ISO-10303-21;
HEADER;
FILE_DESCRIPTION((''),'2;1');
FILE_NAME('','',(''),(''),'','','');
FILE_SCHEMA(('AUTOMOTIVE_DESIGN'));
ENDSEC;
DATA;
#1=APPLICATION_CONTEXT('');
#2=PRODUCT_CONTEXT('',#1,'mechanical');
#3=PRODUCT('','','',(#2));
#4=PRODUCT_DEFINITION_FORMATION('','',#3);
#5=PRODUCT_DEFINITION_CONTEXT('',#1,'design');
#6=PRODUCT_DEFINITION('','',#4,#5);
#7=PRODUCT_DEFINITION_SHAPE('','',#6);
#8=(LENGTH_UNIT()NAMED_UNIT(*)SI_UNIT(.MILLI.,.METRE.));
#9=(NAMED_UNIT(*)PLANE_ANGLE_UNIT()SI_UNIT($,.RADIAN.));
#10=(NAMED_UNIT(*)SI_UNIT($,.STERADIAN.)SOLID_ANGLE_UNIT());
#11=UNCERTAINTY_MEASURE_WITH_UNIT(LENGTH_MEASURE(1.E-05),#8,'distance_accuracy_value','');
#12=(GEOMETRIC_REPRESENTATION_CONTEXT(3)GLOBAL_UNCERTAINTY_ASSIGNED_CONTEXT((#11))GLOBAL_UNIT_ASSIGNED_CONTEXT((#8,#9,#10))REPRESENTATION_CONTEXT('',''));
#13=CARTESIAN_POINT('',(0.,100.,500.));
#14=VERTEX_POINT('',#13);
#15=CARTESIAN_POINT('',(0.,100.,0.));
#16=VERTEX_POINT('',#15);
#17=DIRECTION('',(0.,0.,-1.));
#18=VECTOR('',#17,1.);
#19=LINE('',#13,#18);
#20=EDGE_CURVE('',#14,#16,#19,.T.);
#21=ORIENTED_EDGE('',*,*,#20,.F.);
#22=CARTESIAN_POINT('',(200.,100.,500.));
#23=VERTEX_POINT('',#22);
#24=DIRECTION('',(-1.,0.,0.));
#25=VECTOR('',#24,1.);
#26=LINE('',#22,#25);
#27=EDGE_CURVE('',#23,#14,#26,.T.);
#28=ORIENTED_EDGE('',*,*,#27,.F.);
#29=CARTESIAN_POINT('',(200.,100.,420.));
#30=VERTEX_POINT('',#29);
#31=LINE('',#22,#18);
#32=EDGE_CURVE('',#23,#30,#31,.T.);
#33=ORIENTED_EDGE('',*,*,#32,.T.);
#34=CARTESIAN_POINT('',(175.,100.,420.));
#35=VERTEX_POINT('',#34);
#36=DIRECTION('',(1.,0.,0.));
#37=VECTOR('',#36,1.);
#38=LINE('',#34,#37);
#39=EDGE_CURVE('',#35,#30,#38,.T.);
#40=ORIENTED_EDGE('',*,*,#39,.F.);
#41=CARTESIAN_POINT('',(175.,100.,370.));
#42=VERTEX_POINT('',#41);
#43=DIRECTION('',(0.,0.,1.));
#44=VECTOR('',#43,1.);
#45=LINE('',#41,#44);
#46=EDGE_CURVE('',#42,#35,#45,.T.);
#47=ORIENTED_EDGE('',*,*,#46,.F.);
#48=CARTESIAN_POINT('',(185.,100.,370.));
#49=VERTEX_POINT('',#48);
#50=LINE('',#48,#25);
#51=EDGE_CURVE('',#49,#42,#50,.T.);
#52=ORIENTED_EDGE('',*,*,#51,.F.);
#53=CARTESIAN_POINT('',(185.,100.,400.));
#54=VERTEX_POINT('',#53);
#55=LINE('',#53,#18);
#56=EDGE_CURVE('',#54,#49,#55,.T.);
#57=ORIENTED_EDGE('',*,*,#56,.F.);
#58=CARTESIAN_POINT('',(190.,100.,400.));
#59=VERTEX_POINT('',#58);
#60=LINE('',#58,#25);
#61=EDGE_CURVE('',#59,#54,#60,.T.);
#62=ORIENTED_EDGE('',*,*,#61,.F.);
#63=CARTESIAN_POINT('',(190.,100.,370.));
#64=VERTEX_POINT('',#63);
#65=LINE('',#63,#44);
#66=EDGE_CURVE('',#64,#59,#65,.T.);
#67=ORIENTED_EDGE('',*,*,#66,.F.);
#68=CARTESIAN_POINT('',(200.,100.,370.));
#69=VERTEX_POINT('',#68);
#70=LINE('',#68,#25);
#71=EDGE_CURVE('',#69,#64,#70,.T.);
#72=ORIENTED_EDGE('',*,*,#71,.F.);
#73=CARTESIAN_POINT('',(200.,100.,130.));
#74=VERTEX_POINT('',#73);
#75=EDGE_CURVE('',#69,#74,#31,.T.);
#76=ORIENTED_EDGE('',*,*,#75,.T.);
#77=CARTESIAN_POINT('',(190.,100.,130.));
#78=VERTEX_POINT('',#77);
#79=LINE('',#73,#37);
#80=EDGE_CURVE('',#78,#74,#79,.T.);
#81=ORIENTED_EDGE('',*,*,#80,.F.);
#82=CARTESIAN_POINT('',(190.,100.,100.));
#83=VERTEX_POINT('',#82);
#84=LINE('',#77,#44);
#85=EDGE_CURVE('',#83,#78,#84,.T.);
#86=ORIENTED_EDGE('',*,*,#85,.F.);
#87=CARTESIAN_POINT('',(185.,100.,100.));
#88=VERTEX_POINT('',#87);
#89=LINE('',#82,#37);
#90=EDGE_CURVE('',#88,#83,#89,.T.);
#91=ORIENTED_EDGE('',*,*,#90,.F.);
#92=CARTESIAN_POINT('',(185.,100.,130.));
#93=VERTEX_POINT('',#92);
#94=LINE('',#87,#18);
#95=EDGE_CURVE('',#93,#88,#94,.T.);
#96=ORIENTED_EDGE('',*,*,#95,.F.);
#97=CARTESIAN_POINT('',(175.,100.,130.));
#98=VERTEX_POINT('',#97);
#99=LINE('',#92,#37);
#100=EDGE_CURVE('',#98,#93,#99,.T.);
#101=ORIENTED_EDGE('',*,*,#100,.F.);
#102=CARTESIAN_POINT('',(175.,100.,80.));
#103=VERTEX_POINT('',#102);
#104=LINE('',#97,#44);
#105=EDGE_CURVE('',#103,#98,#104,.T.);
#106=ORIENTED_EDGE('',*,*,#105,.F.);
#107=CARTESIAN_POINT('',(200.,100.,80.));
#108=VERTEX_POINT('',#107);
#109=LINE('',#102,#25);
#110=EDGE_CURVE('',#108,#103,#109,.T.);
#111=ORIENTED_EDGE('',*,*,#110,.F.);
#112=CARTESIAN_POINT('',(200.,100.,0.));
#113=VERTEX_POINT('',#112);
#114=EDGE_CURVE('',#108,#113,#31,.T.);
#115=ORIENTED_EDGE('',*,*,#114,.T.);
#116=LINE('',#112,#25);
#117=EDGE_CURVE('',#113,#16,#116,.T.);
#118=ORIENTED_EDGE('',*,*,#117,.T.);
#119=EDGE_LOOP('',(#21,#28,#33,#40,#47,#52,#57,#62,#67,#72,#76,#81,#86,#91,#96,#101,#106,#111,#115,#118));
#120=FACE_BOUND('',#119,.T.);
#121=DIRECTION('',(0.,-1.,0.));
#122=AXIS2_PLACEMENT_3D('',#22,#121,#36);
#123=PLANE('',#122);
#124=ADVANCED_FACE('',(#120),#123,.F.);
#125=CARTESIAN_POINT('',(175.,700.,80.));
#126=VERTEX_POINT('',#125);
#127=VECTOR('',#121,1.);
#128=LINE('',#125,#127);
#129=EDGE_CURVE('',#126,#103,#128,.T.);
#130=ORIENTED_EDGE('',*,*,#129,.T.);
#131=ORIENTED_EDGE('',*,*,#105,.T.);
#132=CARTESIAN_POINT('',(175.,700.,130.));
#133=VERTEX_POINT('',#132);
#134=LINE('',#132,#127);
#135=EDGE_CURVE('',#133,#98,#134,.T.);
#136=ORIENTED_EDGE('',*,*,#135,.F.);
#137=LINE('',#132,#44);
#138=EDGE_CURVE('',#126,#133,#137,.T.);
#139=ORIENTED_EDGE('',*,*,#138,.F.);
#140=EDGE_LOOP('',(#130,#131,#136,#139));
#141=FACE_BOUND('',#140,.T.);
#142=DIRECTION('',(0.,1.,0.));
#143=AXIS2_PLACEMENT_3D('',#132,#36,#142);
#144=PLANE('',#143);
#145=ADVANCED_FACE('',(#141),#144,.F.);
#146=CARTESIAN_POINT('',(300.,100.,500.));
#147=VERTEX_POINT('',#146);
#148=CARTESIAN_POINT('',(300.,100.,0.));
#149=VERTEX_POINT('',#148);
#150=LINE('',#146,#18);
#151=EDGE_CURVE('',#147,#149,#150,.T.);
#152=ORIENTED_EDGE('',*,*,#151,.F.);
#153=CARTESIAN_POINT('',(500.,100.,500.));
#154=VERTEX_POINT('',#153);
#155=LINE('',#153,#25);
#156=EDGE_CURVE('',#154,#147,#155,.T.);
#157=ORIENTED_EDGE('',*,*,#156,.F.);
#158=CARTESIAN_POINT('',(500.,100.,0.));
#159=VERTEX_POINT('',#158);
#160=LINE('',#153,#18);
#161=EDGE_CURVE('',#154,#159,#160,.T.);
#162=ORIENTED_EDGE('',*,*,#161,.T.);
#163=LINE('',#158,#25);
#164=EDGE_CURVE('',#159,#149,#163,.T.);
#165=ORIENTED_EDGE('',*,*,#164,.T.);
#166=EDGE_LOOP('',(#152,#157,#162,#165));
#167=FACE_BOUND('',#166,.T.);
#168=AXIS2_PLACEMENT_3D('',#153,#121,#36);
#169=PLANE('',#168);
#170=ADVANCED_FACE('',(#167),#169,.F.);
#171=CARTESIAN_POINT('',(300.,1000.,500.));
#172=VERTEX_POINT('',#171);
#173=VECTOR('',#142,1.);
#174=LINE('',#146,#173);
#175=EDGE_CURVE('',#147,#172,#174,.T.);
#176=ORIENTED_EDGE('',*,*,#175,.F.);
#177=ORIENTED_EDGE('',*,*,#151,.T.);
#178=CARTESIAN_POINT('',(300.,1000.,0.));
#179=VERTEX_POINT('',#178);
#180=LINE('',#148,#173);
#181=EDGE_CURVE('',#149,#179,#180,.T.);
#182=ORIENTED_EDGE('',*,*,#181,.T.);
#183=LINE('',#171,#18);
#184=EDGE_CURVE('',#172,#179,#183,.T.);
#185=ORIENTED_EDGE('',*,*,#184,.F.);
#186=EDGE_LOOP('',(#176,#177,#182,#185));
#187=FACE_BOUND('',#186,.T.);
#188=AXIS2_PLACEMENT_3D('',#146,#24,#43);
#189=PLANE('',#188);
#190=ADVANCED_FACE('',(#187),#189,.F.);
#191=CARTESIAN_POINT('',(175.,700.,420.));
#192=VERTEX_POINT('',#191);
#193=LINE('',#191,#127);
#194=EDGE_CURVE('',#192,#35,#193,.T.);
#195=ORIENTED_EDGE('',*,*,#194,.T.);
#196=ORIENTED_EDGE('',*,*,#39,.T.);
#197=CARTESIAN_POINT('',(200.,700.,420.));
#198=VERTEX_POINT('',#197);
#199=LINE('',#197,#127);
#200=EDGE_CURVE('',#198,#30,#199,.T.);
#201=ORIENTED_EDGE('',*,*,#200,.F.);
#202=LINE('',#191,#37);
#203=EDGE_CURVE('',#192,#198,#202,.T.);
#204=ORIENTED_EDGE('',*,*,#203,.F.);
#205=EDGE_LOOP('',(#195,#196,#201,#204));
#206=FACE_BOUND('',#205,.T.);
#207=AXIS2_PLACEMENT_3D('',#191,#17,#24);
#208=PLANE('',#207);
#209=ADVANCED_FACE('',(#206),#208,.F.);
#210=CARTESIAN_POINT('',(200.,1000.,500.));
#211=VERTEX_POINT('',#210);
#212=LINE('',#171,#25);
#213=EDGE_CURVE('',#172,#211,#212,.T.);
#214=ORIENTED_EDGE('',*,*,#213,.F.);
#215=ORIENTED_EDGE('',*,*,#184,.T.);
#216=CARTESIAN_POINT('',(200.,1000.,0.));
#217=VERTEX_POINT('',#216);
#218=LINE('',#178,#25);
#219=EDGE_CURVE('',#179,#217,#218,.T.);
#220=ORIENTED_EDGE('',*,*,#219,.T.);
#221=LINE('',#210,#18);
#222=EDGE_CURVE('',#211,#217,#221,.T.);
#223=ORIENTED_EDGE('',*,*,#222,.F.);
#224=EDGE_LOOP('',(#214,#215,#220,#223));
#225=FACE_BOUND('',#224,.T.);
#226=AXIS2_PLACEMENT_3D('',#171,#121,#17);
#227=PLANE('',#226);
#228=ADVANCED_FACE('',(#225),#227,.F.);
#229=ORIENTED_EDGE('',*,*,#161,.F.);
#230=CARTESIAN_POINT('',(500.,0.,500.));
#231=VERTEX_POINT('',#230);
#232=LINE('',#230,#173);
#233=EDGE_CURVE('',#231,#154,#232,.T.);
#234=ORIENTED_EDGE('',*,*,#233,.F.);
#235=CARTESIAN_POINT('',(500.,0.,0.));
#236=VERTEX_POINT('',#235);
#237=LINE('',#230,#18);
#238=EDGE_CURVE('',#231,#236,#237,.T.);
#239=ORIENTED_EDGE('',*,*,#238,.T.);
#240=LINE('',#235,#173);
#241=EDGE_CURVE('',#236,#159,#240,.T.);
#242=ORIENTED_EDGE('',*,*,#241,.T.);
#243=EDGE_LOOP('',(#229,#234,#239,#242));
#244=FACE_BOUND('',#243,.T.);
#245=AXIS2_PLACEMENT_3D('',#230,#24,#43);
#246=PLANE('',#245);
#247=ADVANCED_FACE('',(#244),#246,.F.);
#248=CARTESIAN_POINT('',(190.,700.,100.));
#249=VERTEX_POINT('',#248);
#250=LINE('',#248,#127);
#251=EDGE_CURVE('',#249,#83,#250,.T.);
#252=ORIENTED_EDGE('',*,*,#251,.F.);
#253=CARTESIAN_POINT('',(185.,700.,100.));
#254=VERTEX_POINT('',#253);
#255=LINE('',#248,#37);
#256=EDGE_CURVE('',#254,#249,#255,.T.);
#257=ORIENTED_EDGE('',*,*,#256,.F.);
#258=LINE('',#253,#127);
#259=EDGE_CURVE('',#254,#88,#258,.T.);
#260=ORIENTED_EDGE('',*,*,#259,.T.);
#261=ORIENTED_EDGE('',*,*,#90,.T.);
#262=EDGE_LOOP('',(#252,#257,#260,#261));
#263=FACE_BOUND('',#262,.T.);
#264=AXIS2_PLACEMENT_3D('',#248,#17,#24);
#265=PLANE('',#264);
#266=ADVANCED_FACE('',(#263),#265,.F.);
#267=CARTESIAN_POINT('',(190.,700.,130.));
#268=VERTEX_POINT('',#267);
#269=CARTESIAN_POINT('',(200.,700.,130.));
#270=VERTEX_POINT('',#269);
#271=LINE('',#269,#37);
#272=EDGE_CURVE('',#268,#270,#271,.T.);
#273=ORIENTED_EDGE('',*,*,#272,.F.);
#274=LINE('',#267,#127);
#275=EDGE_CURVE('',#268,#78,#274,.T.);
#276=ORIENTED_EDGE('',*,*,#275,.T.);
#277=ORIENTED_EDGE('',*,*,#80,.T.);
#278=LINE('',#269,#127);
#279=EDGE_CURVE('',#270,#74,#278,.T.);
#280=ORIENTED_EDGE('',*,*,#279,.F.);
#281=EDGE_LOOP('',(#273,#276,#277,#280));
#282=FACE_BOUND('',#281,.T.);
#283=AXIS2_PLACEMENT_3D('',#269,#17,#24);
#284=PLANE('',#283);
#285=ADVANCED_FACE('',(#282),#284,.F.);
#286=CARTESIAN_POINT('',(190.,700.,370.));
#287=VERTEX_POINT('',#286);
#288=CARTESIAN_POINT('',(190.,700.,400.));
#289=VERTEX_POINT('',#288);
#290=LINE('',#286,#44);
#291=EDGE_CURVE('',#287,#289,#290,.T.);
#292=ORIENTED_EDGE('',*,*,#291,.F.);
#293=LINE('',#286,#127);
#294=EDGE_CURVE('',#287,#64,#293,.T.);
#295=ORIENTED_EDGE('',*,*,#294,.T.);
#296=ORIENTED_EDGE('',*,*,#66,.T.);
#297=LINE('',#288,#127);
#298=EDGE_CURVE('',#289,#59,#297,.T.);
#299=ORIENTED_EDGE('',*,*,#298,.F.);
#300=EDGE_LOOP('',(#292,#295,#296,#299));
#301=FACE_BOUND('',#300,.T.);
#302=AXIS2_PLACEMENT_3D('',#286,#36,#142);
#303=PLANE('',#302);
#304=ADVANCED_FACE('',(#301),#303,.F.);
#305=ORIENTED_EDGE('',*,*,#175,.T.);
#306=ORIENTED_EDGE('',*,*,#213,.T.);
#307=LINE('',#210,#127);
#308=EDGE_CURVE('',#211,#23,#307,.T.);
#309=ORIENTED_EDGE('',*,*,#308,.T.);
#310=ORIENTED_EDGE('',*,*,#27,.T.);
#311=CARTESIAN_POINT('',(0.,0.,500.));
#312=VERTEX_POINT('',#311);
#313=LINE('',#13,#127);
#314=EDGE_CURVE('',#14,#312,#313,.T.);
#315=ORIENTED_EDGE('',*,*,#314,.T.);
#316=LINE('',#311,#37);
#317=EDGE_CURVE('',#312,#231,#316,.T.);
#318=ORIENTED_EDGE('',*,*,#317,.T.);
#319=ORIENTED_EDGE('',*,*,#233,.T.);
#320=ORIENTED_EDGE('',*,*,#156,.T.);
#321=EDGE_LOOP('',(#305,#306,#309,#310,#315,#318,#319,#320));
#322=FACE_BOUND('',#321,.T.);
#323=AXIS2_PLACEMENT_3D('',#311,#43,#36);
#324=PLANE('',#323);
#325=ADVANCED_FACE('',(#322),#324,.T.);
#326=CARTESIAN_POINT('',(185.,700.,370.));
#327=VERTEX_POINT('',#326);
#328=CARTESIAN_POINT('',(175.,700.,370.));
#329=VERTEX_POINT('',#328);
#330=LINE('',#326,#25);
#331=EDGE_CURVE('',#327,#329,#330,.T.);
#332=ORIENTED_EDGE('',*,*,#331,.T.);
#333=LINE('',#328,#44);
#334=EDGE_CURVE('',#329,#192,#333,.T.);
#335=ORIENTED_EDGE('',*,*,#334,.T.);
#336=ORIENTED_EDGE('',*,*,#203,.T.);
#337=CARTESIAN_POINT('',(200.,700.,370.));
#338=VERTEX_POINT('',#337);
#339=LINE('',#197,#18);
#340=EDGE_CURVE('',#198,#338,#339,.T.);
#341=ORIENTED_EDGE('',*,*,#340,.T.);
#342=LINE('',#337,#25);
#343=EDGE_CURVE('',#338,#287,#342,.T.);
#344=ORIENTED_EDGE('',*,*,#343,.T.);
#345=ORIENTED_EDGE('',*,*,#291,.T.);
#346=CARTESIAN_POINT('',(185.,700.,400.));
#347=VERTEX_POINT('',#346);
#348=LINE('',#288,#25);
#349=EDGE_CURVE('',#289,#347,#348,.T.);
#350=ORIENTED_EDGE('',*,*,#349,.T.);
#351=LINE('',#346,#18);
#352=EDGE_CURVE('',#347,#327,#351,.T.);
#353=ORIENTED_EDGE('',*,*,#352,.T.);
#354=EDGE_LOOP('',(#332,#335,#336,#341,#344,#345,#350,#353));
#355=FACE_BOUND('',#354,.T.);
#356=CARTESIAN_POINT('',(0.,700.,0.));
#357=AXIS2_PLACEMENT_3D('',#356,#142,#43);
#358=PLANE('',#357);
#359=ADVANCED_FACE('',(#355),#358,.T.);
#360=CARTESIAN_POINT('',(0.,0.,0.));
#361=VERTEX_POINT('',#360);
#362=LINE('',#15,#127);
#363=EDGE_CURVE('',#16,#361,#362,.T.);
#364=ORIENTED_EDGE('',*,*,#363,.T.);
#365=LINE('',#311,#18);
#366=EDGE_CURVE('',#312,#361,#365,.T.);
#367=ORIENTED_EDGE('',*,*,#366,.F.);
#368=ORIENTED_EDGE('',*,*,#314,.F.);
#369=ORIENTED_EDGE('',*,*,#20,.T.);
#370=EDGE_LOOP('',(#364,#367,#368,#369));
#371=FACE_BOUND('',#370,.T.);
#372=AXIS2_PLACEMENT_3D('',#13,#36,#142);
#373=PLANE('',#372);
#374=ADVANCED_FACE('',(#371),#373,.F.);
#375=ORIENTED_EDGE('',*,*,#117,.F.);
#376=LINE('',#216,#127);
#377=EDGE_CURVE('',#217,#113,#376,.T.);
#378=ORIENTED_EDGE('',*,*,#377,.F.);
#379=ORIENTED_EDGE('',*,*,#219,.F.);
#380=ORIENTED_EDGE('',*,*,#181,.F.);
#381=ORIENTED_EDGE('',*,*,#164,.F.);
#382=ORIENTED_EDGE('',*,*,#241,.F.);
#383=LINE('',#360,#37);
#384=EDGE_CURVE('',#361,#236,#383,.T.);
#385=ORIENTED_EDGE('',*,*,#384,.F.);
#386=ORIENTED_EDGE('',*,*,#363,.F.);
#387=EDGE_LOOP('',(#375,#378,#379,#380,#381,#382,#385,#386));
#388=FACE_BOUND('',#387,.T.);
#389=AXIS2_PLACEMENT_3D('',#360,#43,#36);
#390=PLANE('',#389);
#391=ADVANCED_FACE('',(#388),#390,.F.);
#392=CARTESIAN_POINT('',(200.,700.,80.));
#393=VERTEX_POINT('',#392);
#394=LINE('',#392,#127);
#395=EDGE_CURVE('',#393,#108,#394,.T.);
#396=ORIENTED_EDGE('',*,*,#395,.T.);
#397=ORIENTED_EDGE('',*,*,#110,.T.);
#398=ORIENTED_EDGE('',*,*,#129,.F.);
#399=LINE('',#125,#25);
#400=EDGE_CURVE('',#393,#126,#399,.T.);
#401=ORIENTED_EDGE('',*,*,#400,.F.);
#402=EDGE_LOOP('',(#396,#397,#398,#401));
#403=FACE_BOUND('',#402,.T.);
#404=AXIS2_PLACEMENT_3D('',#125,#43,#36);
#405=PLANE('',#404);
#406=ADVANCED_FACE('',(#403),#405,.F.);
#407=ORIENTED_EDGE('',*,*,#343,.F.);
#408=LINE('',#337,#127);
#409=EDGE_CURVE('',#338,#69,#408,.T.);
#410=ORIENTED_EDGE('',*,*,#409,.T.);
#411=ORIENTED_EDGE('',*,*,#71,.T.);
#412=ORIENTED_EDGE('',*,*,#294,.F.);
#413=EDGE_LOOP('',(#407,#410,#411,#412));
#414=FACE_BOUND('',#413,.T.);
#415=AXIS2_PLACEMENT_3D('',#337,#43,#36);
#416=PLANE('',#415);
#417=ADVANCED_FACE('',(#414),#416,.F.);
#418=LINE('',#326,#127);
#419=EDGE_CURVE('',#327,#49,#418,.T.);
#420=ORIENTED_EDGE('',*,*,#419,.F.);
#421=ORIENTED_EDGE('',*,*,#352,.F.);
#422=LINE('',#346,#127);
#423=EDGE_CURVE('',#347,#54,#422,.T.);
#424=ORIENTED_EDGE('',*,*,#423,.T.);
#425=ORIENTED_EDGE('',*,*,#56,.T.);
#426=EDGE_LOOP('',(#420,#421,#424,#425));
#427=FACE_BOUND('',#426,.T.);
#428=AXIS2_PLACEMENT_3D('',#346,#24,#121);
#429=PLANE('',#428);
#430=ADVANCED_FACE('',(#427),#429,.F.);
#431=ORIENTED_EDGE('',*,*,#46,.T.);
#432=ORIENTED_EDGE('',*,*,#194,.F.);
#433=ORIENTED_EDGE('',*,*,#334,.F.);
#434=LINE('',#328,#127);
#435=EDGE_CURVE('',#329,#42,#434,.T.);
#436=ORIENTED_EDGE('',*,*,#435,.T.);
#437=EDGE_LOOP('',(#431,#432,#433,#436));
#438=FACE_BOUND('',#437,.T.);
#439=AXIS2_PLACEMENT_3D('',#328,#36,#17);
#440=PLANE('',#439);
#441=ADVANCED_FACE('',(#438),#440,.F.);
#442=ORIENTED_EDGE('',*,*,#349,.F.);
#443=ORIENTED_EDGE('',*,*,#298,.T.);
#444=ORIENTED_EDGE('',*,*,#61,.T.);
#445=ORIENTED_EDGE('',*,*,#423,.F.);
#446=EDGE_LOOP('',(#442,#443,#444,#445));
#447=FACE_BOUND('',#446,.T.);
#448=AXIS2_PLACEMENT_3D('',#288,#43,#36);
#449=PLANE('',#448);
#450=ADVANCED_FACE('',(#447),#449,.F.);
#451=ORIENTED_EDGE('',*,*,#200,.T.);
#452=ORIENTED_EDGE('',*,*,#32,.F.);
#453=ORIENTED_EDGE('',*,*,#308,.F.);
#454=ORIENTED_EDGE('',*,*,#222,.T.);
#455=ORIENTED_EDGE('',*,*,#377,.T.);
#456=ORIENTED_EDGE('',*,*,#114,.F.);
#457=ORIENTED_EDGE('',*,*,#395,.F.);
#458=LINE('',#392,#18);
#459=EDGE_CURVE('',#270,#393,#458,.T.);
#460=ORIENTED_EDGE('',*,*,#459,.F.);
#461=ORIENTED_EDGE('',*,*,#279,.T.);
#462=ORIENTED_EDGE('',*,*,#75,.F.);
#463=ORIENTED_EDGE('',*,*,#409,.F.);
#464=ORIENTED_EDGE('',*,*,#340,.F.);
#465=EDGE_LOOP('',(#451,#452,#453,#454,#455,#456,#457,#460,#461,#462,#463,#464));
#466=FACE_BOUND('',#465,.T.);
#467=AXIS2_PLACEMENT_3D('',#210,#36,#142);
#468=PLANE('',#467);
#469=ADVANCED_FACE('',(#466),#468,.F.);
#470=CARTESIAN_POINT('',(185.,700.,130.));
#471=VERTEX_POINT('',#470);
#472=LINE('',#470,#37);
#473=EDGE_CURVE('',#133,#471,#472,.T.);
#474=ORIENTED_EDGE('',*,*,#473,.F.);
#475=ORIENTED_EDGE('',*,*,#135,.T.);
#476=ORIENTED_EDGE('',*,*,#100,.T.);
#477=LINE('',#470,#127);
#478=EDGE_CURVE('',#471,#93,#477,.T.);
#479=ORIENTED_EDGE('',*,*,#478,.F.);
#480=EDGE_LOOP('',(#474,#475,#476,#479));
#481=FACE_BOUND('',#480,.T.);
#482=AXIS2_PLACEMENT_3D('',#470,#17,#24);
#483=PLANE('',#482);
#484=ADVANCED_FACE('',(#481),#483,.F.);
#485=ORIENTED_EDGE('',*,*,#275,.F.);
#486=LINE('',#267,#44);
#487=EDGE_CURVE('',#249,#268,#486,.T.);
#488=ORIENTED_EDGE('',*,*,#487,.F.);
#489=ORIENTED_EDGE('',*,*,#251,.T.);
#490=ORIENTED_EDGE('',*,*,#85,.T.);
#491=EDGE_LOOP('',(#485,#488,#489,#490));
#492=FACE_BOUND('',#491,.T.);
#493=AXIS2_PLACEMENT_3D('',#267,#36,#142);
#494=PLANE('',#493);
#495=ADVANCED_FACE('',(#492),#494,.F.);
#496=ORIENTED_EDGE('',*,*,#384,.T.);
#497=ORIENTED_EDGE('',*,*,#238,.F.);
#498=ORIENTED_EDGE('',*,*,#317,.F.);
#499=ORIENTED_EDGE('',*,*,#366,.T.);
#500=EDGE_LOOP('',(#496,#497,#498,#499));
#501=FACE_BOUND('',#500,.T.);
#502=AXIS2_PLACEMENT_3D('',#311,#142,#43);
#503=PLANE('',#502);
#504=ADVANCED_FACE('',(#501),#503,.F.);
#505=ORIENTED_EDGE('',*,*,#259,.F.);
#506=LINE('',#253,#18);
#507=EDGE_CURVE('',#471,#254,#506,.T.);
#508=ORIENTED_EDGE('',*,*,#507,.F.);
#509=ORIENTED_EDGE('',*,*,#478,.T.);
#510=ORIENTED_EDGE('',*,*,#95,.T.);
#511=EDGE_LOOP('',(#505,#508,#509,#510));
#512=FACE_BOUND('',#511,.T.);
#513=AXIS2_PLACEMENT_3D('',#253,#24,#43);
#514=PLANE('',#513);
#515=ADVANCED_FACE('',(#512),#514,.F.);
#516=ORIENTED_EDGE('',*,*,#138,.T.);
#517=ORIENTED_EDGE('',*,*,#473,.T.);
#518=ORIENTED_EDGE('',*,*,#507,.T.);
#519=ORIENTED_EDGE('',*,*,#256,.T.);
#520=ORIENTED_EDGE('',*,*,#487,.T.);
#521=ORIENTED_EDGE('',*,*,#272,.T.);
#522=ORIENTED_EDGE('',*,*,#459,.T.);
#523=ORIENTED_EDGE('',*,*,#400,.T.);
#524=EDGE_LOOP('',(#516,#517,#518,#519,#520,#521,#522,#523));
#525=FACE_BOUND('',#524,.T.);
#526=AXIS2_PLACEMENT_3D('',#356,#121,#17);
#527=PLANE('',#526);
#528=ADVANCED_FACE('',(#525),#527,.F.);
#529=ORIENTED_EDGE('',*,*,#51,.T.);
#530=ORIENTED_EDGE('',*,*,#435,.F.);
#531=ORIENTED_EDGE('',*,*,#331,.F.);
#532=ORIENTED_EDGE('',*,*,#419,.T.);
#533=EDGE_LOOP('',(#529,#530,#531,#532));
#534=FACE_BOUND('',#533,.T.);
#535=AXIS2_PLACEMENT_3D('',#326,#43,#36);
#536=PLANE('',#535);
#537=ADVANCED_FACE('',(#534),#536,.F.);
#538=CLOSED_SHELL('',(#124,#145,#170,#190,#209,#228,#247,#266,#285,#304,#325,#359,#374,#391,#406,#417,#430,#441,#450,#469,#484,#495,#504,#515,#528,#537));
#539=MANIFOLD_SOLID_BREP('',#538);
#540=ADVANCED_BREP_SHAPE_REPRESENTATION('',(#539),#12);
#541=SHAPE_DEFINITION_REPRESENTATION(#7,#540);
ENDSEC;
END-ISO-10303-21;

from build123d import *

# Parameters (mm, degrees)
BOSS_EXTRU_1_DEPTH = 500
BOSS_EXTRU_3_DEPTH = 600


with BuildPart() as part:
    # Esquisse1 → Boss.-Extru.1 (new body)
    with BuildSketch(Plane.XY):
        Polygon((0, 0), (500, 0), (500, 100), (300, 100), (300, 1000), (200, 1000), (200, 100), (0, 100), align=None)
    extrude(amount=BOSS_EXTRU_1_DEPTH)

    # Esquisse4 → Boss.-Extru.3 (add)
    with BuildSketch(Plane(origin=(0, 100, 0), x_dir=(1, 0, 0), z_dir=(0, 1, 0))):
        Polygon((200, -80), (200, -130), (190, -130), (190, -100), (185, -100), (185, -130), (175, -130), (175, -80), align=None)
        Polygon((175, -370), (175, -420), (200, -420), (200, -370), (190, -370), (190, -400), (185, -400), (185, -370), align=None)
    extrude(amount=BOSS_EXTRU_3_DEPTH)


solid = part.part
